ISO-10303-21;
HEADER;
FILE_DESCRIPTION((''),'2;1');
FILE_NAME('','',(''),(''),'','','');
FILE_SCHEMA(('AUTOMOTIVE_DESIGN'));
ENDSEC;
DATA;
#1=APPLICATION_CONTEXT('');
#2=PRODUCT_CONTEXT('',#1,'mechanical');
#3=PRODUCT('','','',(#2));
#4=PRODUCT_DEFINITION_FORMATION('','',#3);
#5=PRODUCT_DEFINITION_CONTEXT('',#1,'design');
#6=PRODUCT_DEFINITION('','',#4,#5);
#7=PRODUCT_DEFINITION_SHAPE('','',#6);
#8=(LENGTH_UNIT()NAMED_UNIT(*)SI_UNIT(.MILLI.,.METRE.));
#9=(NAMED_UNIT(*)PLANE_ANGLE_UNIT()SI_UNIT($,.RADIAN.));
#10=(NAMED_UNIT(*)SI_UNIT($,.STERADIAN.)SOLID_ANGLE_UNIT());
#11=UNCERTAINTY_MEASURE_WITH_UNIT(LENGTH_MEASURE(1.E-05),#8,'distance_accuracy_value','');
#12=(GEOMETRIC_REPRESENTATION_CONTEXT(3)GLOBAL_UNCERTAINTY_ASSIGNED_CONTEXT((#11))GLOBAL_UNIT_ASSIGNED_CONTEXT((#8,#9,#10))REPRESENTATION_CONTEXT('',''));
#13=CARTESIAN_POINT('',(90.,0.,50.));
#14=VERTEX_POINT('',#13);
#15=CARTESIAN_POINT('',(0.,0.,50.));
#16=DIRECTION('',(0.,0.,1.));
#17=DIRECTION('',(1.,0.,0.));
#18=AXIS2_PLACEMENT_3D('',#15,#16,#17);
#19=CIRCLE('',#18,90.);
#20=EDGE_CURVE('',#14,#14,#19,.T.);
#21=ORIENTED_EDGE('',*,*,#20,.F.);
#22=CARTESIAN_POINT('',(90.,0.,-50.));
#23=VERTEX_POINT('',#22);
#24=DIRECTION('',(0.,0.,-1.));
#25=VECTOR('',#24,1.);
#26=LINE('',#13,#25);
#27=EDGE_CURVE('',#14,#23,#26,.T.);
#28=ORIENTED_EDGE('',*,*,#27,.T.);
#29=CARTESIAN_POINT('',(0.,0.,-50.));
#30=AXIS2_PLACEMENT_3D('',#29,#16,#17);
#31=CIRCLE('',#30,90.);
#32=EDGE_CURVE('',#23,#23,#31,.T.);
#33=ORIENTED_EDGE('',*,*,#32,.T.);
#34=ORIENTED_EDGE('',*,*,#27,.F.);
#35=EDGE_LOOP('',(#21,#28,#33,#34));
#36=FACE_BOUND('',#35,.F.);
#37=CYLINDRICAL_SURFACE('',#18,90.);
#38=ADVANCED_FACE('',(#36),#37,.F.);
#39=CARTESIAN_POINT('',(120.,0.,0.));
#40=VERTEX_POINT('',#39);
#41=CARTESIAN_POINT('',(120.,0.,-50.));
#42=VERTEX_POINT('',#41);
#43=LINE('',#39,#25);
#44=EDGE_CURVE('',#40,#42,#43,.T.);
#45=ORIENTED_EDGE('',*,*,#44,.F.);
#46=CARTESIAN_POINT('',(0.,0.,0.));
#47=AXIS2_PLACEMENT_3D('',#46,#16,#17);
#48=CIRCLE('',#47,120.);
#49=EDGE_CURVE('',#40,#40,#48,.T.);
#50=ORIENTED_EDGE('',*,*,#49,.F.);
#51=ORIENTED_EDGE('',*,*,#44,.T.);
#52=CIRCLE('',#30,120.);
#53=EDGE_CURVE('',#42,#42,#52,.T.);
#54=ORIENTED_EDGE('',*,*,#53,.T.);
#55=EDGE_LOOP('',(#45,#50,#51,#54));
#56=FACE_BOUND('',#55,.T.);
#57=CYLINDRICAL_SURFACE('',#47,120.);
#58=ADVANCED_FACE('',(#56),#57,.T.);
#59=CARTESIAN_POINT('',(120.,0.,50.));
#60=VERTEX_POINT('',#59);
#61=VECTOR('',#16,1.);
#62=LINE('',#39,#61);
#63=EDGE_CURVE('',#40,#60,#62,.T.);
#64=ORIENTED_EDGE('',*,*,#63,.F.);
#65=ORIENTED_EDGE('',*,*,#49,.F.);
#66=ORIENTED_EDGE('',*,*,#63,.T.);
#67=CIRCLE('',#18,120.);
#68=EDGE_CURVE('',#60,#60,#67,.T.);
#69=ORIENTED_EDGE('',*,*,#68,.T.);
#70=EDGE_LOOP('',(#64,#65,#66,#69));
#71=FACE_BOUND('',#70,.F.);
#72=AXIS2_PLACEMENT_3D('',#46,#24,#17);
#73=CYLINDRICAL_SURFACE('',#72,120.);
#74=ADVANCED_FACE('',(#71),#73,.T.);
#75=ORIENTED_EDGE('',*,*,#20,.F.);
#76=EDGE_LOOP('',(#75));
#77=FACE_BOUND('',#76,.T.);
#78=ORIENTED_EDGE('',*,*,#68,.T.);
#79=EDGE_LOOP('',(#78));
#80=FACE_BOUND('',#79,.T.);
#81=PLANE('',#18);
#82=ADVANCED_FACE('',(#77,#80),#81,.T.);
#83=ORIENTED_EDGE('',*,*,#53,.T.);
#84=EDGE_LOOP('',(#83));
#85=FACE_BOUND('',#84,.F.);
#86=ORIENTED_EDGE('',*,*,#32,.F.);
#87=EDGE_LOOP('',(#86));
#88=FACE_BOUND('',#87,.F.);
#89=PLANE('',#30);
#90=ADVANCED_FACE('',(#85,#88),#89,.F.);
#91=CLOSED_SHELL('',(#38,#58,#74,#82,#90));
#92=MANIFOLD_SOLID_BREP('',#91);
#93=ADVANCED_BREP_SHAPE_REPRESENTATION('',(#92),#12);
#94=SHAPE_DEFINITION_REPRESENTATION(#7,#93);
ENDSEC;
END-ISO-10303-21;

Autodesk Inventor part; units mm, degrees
ref_plane "YZ Plane" through (0, 0, 0) normal (1, 0, 0) x (0, 1, 0)
ref_plane "XZ Plane" through (0, 0, 0) normal (0, 1, 0) x (-1, 0, 0)
ref_plane "XY Plane" through (0, 0, 0) normal (0, 0, 1) x (1, 0, 0)
sketch "Sketch1" plane through (0, 0, 0) normal (0, 0, 1) x (1, 0, 0)
  circle A0 centre (0, 0) radius 120
  dimension "d0" = 240
extrude "Extrusion1" add sketch "Sketch1" along normal mid plane 100
sketch "Sketch2" plane through (0, 0, 50) normal (0, 0, 1) x (1, 0, 0)
  circle A0 centre (0, 0) radius 90
  dimension "d3" = 180
extrude "Extrusion2" cut sketch "Sketch2" against normal through all
properties part number "AGBL05"
